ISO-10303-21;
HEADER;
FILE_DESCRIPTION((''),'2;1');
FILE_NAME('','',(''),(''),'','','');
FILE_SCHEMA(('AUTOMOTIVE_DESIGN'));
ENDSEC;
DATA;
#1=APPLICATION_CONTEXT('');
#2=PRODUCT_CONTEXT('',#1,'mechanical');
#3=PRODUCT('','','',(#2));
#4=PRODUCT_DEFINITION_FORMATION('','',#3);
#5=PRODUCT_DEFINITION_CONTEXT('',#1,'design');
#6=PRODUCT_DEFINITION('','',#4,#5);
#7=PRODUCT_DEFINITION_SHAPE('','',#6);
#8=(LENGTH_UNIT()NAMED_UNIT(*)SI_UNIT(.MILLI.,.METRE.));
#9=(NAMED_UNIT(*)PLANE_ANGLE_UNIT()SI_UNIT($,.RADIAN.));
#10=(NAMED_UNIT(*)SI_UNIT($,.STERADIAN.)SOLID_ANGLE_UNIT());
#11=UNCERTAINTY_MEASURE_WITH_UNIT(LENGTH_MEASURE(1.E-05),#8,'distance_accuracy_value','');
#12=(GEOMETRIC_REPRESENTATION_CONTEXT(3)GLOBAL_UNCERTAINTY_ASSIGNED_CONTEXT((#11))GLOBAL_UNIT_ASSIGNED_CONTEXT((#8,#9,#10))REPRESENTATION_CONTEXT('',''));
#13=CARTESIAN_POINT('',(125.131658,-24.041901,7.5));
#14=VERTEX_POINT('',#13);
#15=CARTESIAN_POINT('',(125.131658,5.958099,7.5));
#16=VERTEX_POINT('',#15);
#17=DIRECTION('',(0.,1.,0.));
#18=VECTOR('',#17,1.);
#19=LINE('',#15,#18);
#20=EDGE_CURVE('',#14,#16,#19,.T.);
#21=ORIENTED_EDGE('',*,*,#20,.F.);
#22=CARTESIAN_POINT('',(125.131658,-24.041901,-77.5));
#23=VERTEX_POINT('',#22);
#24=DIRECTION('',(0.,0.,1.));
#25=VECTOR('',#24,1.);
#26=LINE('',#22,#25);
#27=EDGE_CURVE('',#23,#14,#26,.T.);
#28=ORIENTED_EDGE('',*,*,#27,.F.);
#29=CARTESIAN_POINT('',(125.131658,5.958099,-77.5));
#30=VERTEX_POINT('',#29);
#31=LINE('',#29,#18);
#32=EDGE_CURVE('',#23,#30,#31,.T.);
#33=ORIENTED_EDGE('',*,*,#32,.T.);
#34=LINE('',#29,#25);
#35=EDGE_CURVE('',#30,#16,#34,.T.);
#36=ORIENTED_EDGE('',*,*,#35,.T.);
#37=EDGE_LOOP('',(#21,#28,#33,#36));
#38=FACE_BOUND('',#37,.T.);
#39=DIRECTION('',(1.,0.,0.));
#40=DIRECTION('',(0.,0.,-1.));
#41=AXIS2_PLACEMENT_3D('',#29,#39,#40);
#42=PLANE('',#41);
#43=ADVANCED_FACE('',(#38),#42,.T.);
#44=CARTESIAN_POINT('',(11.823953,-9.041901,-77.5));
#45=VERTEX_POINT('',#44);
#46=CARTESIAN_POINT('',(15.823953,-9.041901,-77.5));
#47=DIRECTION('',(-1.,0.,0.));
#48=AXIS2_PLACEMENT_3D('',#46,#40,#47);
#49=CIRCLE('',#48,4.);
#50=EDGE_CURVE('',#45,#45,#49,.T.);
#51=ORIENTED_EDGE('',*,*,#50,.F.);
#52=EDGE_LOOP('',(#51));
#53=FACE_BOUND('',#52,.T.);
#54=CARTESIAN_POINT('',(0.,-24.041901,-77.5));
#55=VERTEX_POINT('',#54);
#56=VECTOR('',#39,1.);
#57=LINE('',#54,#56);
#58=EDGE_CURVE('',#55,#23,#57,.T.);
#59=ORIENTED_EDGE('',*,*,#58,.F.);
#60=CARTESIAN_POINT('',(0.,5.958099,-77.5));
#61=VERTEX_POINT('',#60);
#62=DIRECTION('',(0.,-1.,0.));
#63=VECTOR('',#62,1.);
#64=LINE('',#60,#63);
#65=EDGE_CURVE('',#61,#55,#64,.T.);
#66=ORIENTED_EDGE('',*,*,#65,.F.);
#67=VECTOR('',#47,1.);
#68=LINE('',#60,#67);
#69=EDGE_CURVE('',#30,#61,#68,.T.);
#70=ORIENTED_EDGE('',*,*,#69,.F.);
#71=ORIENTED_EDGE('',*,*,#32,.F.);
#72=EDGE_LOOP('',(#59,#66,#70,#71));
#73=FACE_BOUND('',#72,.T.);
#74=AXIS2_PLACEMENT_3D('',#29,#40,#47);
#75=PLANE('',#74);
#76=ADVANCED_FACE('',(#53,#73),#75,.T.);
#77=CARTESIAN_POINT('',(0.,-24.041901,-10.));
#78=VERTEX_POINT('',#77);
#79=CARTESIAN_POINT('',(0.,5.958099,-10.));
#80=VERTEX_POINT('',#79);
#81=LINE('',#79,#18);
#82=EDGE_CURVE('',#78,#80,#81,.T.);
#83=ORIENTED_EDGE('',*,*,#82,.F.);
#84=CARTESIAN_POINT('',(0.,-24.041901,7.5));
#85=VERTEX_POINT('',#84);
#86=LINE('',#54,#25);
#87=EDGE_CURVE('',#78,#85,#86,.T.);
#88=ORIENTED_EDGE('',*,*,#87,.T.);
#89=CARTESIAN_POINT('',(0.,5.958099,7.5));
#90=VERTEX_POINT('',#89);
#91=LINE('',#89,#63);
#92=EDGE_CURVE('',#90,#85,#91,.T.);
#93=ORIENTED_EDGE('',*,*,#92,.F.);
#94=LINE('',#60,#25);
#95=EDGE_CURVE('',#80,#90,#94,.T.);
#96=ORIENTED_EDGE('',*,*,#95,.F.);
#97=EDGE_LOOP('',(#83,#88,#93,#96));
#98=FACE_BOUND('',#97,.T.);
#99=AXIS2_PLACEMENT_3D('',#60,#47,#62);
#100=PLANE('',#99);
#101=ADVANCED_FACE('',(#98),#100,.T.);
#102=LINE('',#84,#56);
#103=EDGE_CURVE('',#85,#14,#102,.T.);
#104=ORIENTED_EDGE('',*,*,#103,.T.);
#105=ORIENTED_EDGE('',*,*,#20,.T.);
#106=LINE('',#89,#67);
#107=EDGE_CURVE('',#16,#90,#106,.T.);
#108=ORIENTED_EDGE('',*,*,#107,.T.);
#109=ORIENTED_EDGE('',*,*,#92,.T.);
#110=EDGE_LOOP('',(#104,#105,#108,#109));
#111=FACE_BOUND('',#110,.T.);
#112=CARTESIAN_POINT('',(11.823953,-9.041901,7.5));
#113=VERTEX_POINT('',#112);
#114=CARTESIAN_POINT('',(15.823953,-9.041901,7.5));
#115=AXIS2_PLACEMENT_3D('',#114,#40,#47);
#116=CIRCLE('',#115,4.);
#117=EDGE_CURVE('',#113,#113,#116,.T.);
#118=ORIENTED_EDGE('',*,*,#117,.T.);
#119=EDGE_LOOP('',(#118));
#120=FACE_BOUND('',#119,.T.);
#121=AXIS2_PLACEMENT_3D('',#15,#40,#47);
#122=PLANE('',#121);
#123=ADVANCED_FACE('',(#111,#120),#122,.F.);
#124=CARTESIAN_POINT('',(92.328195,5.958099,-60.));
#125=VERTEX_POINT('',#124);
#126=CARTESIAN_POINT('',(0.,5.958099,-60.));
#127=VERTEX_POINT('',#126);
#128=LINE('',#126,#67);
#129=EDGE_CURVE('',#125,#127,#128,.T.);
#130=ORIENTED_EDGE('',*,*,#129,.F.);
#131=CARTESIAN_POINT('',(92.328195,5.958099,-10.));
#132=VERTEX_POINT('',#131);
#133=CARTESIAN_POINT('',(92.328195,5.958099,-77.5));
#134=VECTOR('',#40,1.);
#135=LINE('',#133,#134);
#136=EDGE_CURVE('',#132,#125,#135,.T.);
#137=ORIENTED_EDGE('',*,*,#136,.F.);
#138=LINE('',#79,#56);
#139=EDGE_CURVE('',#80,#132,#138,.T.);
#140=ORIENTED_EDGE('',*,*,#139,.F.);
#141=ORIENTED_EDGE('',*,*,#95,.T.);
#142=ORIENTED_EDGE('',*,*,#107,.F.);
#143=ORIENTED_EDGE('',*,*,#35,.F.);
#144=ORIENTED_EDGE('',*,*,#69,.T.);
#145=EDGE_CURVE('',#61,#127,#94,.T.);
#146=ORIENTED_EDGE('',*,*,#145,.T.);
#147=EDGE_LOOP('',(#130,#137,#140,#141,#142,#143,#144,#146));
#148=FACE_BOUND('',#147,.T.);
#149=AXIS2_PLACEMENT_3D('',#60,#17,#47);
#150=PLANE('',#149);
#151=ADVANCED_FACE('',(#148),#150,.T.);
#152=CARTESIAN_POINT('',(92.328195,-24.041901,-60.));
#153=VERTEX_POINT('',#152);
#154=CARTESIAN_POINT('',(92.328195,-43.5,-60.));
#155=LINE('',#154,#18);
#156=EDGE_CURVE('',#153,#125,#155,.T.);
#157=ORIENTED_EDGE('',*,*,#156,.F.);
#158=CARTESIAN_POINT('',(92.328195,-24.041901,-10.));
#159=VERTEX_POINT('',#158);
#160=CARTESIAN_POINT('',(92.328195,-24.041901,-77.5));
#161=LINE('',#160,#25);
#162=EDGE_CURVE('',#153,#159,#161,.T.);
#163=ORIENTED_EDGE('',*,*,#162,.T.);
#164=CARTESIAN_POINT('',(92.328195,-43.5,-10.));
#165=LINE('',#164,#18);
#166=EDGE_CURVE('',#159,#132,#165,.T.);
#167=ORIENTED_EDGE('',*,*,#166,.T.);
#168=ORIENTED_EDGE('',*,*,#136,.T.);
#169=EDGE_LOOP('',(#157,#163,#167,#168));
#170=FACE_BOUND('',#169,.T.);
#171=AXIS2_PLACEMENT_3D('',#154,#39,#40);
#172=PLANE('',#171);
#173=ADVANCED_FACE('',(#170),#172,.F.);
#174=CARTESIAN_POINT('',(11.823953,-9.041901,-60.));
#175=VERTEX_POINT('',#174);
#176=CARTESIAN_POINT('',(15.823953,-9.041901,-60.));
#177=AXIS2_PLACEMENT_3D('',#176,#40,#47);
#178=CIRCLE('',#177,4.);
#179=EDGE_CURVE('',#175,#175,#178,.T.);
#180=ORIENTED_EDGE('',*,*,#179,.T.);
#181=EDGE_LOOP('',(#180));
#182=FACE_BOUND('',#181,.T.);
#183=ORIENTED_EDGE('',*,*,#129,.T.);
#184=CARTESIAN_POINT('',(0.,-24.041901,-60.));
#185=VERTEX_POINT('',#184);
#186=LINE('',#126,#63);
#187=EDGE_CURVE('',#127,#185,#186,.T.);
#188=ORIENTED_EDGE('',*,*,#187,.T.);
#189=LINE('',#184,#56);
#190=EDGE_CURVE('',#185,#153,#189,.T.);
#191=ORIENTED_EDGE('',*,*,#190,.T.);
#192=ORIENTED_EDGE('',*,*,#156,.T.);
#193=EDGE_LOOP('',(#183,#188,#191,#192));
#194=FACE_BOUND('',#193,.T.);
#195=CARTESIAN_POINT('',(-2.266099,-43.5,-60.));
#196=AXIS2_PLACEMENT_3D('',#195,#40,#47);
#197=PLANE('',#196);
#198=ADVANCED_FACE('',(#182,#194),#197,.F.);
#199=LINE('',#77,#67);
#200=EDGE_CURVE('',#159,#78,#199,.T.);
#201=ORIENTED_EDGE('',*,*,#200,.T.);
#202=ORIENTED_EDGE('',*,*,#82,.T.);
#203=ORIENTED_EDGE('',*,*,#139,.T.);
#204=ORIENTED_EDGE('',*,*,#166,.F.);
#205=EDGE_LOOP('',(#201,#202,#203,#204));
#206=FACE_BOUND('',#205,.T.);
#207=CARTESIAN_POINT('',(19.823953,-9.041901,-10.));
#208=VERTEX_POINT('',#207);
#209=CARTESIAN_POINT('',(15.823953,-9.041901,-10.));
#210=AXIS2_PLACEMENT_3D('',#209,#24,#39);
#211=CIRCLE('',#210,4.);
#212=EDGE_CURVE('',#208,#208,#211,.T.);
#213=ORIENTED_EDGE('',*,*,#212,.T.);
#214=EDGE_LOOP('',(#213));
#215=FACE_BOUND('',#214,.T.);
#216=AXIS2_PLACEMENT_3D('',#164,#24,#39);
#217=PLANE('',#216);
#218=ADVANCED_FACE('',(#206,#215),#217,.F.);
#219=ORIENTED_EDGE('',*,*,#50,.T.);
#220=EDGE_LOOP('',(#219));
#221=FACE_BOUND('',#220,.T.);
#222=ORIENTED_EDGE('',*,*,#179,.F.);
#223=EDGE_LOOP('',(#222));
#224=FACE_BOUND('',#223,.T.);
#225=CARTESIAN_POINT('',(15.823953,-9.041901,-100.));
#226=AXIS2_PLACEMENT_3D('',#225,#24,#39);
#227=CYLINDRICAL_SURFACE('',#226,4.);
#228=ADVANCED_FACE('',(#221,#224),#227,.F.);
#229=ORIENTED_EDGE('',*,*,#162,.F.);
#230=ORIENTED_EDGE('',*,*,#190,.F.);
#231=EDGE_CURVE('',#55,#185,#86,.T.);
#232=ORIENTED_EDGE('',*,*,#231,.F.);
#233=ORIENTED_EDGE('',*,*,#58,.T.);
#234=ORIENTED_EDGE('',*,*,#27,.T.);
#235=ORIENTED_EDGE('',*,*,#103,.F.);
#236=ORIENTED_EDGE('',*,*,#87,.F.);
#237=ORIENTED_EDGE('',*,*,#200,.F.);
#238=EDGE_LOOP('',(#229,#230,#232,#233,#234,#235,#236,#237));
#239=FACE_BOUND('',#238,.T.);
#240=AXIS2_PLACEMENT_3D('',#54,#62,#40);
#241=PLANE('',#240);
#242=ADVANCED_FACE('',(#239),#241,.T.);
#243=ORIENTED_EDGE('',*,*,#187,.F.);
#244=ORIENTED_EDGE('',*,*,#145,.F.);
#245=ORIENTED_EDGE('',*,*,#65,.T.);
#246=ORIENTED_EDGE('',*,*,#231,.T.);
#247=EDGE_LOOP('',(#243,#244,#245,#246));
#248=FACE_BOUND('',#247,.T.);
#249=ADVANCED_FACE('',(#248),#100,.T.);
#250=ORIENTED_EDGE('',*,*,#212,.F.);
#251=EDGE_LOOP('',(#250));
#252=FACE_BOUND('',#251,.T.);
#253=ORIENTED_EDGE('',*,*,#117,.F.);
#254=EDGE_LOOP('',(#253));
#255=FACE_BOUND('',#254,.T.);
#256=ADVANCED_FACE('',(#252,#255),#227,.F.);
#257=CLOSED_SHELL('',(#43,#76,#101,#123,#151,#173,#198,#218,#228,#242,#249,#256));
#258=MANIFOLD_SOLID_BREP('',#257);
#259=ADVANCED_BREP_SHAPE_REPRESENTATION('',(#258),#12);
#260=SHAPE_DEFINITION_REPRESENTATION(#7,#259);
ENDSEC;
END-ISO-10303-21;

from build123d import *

# Parameters (mm, degrees)
EXTRUDE_START       = 7.5
SKETCH_1_W          = 125.131658012
SKETCH_1_H          = 30
EXTRUDE_1_DEPTH     = 85
SKETCH_3_W          = 94.594294475
SKETCH_3_H          = 50
CUT_EXTRUDE_1_DEPTH = 43.5
SKETCH_4_R          = 4
CUT_EXTRUDE_2_DEPTH = 100


with BuildPart() as part:
    # Эскиз1 → Вытянуть1 (new body)
    with BuildSketch(Plane.XY.offset(EXTRUDE_START)):
        with Locations((62.565829006, -9.041900761)):
            Rectangle(SKETCH_1_W, SKETCH_1_H)
    extrude(amount=-EXTRUDE_1_DEPTH)

    # Эскиз3 → Вырез-Вытянуть1 (cut, symmetric)
    with BuildSketch(Plane(origin=(0, 0, 0), x_dir=(1, 0, 0), z_dir=(0, 1, 0))):
        with Locations((45.031047777, 35)):
            Rectangle(SKETCH_3_W, SKETCH_3_H)
    extrude(amount=CUT_EXTRUDE_1_DEPTH, both=True, mode=Mode.SUBTRACT)

    # Эскиз4 → Вырез-Вытянуть2 (cut, symmetric)
    with BuildSketch(Plane.XY):
        with Locations((15.823953055, -9.041900761)):
            Circle(SKETCH_4_R)
    extrude(amount=CUT_EXTRUDE_2_DEPTH, both=True, mode=Mode.SUBTRACT)


solid = part.part
